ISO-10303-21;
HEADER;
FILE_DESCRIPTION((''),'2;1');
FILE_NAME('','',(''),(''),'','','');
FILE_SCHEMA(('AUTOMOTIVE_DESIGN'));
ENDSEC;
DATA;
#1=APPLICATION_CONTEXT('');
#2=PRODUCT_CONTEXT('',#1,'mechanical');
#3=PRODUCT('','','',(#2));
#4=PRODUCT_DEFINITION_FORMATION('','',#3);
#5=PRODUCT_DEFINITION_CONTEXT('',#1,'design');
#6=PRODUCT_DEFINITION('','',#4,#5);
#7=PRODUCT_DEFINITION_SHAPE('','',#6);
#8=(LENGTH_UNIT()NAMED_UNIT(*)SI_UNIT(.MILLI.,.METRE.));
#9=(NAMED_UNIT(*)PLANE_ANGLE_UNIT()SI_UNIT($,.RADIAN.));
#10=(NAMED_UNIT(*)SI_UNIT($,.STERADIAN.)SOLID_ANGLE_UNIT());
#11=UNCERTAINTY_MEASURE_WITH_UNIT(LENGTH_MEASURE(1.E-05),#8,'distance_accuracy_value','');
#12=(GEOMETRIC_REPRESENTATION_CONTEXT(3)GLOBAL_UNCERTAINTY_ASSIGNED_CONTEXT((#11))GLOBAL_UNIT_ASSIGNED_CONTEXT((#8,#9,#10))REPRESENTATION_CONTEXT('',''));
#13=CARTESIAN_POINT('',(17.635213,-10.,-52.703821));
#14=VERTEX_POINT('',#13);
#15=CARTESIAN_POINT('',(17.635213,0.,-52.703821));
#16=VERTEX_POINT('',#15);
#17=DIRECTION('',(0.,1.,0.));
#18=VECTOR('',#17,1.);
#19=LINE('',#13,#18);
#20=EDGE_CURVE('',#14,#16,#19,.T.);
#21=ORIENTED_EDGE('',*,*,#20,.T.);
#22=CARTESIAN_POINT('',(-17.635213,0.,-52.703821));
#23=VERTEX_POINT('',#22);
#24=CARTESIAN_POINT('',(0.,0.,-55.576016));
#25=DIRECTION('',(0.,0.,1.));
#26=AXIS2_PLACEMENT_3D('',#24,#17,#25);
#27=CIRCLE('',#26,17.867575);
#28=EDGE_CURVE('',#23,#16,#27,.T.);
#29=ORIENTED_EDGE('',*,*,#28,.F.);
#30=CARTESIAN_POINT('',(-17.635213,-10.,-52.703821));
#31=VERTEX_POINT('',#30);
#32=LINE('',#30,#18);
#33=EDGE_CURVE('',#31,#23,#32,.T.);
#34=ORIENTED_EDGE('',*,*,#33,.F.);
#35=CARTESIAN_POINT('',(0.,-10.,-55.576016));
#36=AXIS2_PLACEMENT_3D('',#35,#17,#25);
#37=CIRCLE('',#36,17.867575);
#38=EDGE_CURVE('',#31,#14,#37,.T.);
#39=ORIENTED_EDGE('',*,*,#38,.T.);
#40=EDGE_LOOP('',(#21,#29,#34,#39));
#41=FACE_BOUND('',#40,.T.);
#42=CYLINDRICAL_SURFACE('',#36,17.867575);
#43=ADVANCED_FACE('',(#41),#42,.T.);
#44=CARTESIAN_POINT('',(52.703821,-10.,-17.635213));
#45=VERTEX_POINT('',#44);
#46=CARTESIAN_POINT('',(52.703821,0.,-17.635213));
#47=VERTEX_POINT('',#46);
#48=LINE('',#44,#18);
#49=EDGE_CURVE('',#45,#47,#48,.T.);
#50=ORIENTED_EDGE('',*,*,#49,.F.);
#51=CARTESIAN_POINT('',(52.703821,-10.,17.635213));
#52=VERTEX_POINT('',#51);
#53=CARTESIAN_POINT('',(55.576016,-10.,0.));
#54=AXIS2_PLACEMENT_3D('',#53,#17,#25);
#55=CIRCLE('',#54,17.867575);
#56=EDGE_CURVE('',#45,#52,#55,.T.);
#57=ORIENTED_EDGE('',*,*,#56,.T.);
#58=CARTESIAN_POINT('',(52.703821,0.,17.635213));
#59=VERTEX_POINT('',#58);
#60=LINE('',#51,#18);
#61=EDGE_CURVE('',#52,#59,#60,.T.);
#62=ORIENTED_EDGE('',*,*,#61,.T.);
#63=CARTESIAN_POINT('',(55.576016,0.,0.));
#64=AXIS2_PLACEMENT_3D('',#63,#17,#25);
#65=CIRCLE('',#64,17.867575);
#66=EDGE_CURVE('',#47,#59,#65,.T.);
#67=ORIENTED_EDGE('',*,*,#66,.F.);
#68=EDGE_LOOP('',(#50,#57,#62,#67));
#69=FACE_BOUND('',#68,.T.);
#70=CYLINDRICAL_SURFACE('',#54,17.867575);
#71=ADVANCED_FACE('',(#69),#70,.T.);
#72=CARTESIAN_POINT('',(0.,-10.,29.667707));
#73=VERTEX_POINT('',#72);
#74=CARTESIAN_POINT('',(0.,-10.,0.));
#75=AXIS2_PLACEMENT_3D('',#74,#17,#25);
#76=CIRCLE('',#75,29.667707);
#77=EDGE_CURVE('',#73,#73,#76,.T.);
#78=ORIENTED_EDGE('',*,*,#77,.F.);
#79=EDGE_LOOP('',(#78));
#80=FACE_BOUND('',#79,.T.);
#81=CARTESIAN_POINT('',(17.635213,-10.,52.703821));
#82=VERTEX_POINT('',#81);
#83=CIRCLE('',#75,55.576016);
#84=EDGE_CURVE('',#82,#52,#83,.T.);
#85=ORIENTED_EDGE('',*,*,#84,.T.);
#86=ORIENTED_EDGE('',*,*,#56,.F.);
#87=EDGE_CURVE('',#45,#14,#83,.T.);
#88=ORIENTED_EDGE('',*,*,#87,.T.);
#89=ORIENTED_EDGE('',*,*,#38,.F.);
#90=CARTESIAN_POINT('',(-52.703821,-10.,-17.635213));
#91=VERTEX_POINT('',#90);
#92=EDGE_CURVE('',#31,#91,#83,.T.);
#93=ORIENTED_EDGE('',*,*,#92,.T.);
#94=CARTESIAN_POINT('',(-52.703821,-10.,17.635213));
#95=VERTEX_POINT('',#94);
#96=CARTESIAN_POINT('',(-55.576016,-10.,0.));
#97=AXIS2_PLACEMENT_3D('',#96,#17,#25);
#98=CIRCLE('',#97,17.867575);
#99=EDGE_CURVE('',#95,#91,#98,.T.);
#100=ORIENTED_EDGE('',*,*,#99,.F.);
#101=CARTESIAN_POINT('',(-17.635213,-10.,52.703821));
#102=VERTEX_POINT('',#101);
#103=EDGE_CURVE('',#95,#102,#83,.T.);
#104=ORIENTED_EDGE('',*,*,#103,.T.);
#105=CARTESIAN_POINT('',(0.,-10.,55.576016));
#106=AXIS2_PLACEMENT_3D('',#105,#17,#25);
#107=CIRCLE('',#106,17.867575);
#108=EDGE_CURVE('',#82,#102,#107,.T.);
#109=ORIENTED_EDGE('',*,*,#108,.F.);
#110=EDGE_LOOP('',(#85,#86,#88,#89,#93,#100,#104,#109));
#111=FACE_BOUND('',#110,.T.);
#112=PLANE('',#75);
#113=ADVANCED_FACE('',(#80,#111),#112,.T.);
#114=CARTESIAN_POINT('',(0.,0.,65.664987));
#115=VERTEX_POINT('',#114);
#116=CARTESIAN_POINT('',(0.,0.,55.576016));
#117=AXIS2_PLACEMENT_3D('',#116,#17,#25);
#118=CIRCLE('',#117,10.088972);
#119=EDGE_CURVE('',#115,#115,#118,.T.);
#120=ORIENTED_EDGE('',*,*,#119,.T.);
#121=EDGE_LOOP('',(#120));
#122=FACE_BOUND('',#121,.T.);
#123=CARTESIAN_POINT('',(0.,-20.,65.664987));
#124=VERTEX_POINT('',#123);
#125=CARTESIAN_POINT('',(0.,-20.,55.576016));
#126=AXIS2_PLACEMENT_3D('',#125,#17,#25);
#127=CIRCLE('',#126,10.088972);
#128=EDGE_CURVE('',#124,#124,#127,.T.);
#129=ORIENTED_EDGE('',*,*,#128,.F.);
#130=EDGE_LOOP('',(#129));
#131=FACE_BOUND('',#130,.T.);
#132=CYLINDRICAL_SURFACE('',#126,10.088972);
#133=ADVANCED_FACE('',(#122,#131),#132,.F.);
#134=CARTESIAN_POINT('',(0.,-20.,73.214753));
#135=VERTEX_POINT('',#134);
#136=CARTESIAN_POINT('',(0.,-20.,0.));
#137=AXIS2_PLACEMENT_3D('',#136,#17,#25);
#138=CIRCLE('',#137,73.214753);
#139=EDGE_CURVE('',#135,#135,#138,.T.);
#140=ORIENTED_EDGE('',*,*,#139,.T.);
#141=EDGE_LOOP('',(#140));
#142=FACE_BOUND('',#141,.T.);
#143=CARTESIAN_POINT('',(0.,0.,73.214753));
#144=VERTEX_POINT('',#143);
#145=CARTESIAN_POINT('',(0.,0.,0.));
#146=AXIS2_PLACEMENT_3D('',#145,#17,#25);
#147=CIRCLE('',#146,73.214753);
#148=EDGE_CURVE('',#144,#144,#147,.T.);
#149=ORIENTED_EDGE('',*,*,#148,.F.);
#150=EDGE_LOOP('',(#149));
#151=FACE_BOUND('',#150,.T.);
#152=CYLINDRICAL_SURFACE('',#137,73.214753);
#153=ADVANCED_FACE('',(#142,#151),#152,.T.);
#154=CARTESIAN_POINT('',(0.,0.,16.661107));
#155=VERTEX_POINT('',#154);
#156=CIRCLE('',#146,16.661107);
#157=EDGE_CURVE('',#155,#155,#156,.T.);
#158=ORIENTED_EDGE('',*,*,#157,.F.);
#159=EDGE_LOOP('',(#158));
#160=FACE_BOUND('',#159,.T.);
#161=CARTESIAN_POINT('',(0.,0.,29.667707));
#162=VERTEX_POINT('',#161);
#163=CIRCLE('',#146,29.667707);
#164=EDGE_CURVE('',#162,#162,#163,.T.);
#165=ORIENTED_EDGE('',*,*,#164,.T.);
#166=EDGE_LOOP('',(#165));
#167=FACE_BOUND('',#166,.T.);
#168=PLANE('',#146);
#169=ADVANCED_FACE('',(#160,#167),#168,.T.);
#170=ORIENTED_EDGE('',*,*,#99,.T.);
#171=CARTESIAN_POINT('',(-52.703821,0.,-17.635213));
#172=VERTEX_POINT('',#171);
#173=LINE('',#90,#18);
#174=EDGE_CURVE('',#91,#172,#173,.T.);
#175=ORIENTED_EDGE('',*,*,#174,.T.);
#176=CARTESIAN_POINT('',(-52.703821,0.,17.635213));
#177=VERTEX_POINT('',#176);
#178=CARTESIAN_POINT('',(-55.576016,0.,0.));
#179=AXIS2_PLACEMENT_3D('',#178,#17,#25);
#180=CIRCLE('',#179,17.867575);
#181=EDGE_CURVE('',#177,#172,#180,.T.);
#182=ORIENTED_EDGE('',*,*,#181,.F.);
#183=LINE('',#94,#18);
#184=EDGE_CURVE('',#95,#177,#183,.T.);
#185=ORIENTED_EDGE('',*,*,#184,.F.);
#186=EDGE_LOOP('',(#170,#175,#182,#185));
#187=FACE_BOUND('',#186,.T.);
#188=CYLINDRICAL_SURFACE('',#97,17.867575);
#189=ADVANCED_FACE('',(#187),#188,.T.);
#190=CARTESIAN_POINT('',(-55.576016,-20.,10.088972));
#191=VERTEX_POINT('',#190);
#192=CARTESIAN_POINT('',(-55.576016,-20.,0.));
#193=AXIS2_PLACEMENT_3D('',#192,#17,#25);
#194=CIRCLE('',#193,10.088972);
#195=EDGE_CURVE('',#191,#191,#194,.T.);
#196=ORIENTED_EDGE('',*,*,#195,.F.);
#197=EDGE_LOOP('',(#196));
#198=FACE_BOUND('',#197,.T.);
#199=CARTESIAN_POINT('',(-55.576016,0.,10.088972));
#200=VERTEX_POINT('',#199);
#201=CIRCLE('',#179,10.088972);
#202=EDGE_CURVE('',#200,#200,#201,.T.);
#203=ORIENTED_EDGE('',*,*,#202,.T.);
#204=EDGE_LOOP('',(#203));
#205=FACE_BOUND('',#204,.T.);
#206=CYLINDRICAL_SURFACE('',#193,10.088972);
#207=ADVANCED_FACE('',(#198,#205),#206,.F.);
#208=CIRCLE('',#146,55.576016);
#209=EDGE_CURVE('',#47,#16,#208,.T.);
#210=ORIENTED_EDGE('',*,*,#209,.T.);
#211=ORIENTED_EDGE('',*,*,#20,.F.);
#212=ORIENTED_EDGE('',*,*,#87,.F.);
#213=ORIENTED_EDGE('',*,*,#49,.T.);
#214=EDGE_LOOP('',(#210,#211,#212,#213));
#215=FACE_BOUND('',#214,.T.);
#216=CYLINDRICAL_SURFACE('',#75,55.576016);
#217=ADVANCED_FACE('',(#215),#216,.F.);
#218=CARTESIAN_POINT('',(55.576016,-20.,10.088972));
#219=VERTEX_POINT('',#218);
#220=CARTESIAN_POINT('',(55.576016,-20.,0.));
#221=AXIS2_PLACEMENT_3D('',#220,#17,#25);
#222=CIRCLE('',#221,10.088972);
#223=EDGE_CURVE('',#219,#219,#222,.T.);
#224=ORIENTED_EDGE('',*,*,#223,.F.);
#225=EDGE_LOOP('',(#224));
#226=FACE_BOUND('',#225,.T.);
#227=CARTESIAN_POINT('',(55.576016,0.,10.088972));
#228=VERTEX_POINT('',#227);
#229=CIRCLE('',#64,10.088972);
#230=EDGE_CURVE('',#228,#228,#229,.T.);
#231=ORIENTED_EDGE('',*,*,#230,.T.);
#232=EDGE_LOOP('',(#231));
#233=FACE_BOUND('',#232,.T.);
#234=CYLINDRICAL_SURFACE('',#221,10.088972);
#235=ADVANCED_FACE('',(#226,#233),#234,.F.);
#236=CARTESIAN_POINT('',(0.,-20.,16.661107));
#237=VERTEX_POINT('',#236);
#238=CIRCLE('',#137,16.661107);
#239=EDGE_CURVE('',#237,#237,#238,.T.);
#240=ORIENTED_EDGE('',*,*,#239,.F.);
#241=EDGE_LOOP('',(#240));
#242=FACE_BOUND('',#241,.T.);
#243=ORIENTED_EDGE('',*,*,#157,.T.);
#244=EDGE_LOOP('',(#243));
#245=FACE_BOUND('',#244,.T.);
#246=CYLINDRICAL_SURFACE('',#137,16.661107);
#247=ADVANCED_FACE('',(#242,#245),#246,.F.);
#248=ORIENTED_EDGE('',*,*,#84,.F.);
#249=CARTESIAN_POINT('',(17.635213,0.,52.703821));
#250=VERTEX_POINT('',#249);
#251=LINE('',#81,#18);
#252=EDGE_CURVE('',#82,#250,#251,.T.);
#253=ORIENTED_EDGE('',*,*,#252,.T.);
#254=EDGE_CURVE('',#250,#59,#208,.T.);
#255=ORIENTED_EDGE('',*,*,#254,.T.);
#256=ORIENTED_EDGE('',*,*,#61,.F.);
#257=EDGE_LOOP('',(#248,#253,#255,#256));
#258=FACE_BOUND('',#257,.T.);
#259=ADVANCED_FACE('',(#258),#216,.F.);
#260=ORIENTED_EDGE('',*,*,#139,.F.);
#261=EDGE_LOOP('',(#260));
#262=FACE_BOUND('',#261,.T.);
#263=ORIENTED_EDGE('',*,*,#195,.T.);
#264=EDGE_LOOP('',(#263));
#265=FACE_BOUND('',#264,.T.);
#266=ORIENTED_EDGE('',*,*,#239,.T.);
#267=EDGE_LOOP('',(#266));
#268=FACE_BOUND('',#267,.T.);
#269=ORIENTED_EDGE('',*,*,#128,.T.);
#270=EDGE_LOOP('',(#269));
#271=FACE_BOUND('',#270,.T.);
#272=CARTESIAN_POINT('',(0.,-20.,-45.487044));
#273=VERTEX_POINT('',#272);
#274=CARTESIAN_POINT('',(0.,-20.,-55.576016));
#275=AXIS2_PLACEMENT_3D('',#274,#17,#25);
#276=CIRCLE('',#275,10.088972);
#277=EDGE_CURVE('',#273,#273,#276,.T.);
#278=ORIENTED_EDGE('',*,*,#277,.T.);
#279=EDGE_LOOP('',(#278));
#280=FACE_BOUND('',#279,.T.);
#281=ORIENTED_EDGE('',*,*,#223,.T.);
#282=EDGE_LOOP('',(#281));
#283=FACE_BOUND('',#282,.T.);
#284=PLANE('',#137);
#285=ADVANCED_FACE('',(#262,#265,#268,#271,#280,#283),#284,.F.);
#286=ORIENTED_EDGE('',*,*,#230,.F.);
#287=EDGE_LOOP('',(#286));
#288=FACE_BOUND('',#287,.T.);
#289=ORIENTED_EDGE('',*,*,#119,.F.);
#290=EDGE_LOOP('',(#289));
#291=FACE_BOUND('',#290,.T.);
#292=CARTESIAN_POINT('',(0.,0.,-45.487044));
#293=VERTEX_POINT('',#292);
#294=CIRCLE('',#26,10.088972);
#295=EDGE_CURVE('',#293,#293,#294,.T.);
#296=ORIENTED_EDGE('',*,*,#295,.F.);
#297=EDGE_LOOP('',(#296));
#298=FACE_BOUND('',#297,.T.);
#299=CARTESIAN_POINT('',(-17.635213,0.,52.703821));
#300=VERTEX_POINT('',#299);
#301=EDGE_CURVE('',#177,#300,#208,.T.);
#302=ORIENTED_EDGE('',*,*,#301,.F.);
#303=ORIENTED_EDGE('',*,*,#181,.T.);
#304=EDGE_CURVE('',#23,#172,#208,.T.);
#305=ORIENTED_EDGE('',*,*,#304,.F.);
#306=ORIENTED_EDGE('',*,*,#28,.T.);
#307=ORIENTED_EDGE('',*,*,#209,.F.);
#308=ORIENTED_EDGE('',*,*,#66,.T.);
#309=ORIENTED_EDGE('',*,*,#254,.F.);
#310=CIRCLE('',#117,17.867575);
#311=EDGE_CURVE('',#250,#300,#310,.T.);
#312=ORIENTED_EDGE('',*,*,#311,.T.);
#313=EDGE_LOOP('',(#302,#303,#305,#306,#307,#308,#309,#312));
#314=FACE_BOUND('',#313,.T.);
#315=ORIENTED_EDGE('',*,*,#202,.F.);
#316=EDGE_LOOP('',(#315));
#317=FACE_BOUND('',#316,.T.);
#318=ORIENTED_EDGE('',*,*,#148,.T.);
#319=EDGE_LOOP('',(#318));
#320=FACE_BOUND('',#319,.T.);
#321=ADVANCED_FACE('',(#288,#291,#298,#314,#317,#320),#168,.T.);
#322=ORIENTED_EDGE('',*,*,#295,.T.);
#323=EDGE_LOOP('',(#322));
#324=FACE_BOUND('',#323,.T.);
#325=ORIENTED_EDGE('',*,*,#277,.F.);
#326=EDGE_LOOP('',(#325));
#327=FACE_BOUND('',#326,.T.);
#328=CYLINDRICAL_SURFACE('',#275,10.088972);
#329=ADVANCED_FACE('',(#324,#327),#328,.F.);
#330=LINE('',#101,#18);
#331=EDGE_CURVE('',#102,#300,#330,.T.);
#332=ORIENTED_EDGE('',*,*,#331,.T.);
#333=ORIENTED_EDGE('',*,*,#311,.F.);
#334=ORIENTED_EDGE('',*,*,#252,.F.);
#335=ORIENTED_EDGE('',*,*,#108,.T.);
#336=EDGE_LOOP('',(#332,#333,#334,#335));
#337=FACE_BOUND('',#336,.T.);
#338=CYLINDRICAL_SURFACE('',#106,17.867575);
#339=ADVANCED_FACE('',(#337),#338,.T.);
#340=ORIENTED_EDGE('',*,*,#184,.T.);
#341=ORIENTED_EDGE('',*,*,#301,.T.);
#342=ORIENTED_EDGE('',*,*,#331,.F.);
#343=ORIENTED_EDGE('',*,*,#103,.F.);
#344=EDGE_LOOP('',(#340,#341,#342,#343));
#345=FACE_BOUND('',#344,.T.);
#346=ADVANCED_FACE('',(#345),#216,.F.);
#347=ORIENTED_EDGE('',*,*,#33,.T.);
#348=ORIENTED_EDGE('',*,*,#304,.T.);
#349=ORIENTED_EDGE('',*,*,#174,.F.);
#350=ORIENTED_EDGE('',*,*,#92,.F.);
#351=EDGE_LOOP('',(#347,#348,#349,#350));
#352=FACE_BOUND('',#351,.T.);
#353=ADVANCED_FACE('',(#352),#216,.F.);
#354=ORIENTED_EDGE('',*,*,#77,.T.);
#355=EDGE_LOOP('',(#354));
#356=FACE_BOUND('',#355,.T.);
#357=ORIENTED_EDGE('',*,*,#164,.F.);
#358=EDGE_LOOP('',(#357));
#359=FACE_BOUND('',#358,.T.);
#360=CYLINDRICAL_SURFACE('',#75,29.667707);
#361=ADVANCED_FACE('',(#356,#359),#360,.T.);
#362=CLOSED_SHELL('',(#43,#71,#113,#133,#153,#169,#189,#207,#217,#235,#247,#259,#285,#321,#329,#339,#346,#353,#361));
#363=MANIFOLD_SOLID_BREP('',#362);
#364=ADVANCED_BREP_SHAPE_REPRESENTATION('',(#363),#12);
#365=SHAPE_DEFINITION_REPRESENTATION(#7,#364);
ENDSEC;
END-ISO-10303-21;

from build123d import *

# Parameters (mm, degrees)
SKETCH1_R           = 73.214752718
BOSS_EXTRUDE4_DEPTH = 20
SKETCH1_7_R         = 10.088971545
SKETCH1_7_R_2       = 16.661107431
CUT_EXTRUDE2_DEPTH  = 20
SKETCH1_8_R         = 29.667707344
CUT_EXTRUDE3_DEPTH  = 10


with BuildPart() as part:
    # Sketch1 → Boss-Extrude4 (new body)
    with BuildSketch(Plane(origin=(0, 0, 0), x_dir=(1, 0, 0), z_dir=(0, 1, 0))):
        Circle(SKETCH1_R)
    extrude(amount=-BOSS_EXTRUDE4_DEPTH)

    # Sketch1<7> → Cut-Extrude2 (cut)
    with BuildSketch(Plane(origin=(0, 0, 0), x_dir=(1, 0, 0), z_dir=(0, 1, 0))):
        with Locations((55.576015856, 0)):
            Circle(SKETCH1_7_R)
        with Locations((0, 55.576015856)):
            Circle(SKETCH1_7_R)
        with Locations((0, -55.576015856)):
            Circle(SKETCH1_7_R)
        with Locations((-55.576015856, 0)):
            Circle(SKETCH1_7_R)
        Circle(SKETCH1_7_R_2)
    extrude(amount=-CUT_EXTRUDE2_DEPTH, mode=Mode.SUBTRACT)

    # Sketch1<8> → Cut-Extrude3 (cut)
    with BuildSketch(Plane(origin=(0, 0, 0), x_dir=(1, 0, 0), z_dir=(0, 1, 0))):
        with BuildLine():
            ThreePointArc((52.703821385, -17.635213348), (37.708440449, 0), (52.703821385, 17.635213348))
            ThreePointArc((52.703821385, 17.635213348), (39.298177683, 39.298177683), (17.635213348, 52.703821385))
            ThreePointArc((17.635213348, 52.703821385), (0, 37.708440449), (-17.635213348, 52.703821385))
            ThreePointArc((-17.635213348, 52.703821385), (-39.298177683, 39.298177683), (-52.703821385, 17.635213348))
            ThreePointArc((-52.703821385, 17.635213348), (-41.96408355, 11.574348786), (-37.708440449, 0))
            ThreePointArc((-37.708440449, 0), (-41.96408355, -11.574348786), (-52.703821385, -17.635213348))
            ThreePointArc((-52.703821385, -17.635213348), (-39.298177683, -39.298177683), (-17.635213348, -52.703821385))
            ThreePointArc((-17.635213348, -52.703821385), (0, -37.708440449), (17.635213348, -52.703821385))
            ThreePointArc((17.635213348, -52.703821385), (39.298177683, -39.298177683), (52.703821385, -17.635213348))
        make_face()
        Circle(SKETCH1_8_R, mode=Mode.SUBTRACT)
    extrude(amount=-CUT_EXTRUDE3_DEPTH, mode=Mode.SUBTRACT)


solid = part.part
